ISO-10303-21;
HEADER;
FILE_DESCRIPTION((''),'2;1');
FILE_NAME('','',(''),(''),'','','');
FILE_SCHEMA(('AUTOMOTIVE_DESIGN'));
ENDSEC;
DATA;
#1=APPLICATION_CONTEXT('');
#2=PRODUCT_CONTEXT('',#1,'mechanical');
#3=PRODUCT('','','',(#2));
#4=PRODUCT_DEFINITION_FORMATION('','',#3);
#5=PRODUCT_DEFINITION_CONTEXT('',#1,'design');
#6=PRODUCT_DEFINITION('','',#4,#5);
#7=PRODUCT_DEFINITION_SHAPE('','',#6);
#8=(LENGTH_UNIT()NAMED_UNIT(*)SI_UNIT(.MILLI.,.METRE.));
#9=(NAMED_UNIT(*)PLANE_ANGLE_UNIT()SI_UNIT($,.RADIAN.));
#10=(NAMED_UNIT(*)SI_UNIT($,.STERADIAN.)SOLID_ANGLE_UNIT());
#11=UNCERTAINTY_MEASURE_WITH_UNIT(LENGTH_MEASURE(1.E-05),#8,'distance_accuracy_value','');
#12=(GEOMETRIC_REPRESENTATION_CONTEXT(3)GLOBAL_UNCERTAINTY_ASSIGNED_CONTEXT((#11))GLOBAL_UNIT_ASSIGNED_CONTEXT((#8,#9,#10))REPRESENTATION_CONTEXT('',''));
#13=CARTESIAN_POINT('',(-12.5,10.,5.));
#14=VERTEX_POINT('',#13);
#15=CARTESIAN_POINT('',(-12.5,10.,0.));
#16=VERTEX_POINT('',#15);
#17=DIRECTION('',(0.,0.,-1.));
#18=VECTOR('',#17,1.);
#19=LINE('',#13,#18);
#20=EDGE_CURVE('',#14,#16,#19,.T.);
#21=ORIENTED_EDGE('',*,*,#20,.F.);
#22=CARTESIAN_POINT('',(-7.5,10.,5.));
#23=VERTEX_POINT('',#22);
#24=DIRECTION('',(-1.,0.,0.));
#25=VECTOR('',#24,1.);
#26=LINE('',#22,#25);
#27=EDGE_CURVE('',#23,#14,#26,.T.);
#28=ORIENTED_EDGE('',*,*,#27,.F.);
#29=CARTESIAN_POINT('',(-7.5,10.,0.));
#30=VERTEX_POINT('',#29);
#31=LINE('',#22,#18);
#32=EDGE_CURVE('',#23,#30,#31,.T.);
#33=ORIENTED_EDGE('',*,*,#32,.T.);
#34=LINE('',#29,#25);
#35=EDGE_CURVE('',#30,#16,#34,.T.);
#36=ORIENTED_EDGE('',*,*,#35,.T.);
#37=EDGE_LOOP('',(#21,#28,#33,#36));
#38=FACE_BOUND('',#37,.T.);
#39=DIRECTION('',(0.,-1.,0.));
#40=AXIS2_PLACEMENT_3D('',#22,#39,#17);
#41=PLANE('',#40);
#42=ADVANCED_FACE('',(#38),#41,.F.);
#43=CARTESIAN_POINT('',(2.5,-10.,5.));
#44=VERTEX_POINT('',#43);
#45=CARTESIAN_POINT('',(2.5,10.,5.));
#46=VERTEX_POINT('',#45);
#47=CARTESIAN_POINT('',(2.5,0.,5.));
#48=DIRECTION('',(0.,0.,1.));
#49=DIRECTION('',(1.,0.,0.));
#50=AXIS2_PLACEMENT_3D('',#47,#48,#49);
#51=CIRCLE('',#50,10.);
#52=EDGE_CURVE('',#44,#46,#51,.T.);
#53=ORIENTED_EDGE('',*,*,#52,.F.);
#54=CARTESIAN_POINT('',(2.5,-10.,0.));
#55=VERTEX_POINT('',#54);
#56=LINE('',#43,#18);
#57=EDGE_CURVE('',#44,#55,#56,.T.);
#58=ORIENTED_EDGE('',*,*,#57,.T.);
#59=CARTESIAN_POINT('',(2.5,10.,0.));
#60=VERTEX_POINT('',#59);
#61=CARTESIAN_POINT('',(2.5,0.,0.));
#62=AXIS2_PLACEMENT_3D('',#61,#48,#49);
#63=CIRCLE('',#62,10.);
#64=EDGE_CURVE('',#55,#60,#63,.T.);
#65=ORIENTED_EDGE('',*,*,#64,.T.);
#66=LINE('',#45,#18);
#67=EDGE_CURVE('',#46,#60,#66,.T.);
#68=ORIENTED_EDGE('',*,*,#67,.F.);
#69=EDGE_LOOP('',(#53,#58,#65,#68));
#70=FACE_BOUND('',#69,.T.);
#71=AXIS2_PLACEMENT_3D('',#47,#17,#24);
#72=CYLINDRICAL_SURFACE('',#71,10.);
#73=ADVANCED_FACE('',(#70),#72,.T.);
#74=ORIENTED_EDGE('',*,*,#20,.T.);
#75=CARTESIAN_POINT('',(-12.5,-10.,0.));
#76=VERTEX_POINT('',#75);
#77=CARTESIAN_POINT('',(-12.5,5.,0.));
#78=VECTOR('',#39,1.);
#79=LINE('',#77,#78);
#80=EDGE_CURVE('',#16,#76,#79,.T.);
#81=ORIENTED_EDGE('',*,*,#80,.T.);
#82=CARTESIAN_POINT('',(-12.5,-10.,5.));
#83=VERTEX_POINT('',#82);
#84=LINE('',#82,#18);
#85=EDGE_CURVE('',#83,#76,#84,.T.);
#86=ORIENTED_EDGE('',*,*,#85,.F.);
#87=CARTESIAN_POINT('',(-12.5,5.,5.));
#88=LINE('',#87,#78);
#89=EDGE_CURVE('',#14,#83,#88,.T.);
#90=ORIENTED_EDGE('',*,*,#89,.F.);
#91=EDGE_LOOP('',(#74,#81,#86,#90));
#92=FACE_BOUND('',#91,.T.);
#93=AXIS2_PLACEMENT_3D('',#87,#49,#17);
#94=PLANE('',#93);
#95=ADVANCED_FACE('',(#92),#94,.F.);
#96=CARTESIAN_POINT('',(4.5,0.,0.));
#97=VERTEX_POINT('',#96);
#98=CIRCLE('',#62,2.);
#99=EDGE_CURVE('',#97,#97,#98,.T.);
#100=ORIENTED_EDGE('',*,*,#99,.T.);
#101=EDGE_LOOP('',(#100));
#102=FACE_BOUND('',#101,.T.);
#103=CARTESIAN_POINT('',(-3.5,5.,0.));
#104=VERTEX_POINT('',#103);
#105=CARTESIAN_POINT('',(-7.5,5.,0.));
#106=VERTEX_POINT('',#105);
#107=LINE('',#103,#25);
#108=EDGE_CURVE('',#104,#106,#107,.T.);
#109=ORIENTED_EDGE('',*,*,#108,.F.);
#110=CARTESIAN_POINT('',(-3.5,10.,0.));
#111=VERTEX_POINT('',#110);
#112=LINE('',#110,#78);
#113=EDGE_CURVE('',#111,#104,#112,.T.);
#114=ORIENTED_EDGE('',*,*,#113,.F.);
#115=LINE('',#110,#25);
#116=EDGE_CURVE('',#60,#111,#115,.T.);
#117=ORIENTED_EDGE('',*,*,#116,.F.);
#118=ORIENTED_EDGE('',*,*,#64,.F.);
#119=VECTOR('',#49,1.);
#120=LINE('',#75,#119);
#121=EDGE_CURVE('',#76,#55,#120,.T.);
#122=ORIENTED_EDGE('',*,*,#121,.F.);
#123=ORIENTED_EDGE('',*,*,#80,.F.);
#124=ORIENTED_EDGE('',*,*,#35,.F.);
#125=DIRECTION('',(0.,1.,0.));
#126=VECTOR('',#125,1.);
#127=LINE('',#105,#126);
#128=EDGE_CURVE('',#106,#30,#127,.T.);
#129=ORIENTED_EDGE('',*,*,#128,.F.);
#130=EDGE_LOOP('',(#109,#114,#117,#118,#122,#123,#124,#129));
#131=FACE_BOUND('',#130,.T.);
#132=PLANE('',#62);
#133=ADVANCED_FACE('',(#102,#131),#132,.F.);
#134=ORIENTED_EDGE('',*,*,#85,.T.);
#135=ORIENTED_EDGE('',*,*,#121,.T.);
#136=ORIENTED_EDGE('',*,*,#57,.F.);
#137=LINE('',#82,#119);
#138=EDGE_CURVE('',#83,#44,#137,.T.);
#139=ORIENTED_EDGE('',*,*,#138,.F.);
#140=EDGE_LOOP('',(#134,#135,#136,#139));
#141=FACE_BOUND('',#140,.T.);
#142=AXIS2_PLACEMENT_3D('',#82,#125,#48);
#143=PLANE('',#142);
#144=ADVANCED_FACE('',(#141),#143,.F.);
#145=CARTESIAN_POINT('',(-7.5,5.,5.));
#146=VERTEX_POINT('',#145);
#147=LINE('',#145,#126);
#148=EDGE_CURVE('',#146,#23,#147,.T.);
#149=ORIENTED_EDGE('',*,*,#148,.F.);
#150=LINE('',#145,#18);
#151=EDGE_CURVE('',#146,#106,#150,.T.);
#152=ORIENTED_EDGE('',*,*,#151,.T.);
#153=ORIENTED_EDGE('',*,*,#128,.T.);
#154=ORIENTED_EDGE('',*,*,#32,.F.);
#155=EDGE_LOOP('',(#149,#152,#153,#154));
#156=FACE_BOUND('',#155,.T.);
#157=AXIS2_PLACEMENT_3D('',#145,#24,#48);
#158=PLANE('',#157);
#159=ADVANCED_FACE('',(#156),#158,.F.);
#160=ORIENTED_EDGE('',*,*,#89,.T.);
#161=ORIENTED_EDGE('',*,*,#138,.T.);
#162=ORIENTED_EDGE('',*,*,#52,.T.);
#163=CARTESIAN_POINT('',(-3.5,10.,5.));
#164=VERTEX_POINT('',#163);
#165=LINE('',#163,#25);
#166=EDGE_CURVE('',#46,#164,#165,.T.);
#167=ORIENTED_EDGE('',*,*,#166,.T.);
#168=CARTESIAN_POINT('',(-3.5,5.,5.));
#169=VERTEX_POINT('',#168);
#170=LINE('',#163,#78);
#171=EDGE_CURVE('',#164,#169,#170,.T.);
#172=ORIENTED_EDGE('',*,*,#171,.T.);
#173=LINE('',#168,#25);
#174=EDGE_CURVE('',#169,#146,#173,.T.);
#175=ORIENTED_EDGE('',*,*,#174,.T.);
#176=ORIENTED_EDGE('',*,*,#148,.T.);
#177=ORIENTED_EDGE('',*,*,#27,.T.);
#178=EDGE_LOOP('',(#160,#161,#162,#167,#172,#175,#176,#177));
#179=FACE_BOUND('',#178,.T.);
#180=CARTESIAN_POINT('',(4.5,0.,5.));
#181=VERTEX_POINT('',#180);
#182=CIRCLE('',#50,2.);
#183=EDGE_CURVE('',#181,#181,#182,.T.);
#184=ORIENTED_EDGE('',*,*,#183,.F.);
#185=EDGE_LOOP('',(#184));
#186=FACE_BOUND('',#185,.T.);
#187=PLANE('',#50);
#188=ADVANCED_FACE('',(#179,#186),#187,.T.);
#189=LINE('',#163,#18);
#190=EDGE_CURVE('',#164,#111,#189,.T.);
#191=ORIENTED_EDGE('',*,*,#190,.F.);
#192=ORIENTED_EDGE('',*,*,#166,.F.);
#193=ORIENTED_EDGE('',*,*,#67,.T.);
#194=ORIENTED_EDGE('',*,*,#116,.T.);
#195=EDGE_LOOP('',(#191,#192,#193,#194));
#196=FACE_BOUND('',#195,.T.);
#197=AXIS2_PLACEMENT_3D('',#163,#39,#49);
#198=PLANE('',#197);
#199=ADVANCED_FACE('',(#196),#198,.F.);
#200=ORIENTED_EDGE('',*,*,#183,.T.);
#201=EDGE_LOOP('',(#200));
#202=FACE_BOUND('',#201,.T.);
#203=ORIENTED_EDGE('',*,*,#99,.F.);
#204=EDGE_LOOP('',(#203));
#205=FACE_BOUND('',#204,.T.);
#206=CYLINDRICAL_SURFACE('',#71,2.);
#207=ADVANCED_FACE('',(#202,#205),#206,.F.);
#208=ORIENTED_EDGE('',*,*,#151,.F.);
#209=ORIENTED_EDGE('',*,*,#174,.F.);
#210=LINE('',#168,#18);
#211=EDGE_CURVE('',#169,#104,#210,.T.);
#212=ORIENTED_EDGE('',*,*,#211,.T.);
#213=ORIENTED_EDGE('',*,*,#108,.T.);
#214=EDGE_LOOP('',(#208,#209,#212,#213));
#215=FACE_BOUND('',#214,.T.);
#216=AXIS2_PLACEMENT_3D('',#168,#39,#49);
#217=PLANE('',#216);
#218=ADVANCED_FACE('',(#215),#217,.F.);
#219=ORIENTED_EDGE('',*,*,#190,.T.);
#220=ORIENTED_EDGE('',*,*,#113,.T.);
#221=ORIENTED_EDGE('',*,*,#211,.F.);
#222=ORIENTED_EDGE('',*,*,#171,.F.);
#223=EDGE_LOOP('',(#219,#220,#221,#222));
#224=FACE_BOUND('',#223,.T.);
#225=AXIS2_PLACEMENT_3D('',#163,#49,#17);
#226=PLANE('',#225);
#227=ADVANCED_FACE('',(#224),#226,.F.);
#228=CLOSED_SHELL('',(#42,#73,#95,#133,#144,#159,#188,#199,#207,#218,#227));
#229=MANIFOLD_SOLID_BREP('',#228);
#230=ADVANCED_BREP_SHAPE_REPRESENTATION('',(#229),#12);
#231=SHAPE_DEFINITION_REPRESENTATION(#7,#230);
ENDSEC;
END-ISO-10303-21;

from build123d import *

# Parameters (mm, degrees)
SKETCH1_R           = 2
BOSS_EXTRUDE1_DEPTH = 5


with BuildPart() as part:
    # Sketch1 → Boss-Extrude1 (new body)
    with BuildSketch(Plane.XY):
        with BuildLine():
            Line((-3.5, 10), (2.5, 10))
            ThreePointArc((2.5, 10), (12.5, 0), (2.5, -10))
            Line((2.5, -10), (-12.5, -10))
            Line((-12.5, -10), (-12.5, 5))
            Line((-12.5, 5), (-12.5, 10))
            Line((-12.5, 10), (-7.5, 10))
            Line((-7.5, 10), (-7.5, 5))
            Line((-7.5, 5), (-3.5, 5))
            Line((-3.5, 5), (-3.5, 10))
        make_face()
        with Locations((2.5, 0)):
            Circle(SKETCH1_R, mode=Mode.SUBTRACT)
    extrude(amount=BOSS_EXTRUDE1_DEPTH)


solid = part.part
